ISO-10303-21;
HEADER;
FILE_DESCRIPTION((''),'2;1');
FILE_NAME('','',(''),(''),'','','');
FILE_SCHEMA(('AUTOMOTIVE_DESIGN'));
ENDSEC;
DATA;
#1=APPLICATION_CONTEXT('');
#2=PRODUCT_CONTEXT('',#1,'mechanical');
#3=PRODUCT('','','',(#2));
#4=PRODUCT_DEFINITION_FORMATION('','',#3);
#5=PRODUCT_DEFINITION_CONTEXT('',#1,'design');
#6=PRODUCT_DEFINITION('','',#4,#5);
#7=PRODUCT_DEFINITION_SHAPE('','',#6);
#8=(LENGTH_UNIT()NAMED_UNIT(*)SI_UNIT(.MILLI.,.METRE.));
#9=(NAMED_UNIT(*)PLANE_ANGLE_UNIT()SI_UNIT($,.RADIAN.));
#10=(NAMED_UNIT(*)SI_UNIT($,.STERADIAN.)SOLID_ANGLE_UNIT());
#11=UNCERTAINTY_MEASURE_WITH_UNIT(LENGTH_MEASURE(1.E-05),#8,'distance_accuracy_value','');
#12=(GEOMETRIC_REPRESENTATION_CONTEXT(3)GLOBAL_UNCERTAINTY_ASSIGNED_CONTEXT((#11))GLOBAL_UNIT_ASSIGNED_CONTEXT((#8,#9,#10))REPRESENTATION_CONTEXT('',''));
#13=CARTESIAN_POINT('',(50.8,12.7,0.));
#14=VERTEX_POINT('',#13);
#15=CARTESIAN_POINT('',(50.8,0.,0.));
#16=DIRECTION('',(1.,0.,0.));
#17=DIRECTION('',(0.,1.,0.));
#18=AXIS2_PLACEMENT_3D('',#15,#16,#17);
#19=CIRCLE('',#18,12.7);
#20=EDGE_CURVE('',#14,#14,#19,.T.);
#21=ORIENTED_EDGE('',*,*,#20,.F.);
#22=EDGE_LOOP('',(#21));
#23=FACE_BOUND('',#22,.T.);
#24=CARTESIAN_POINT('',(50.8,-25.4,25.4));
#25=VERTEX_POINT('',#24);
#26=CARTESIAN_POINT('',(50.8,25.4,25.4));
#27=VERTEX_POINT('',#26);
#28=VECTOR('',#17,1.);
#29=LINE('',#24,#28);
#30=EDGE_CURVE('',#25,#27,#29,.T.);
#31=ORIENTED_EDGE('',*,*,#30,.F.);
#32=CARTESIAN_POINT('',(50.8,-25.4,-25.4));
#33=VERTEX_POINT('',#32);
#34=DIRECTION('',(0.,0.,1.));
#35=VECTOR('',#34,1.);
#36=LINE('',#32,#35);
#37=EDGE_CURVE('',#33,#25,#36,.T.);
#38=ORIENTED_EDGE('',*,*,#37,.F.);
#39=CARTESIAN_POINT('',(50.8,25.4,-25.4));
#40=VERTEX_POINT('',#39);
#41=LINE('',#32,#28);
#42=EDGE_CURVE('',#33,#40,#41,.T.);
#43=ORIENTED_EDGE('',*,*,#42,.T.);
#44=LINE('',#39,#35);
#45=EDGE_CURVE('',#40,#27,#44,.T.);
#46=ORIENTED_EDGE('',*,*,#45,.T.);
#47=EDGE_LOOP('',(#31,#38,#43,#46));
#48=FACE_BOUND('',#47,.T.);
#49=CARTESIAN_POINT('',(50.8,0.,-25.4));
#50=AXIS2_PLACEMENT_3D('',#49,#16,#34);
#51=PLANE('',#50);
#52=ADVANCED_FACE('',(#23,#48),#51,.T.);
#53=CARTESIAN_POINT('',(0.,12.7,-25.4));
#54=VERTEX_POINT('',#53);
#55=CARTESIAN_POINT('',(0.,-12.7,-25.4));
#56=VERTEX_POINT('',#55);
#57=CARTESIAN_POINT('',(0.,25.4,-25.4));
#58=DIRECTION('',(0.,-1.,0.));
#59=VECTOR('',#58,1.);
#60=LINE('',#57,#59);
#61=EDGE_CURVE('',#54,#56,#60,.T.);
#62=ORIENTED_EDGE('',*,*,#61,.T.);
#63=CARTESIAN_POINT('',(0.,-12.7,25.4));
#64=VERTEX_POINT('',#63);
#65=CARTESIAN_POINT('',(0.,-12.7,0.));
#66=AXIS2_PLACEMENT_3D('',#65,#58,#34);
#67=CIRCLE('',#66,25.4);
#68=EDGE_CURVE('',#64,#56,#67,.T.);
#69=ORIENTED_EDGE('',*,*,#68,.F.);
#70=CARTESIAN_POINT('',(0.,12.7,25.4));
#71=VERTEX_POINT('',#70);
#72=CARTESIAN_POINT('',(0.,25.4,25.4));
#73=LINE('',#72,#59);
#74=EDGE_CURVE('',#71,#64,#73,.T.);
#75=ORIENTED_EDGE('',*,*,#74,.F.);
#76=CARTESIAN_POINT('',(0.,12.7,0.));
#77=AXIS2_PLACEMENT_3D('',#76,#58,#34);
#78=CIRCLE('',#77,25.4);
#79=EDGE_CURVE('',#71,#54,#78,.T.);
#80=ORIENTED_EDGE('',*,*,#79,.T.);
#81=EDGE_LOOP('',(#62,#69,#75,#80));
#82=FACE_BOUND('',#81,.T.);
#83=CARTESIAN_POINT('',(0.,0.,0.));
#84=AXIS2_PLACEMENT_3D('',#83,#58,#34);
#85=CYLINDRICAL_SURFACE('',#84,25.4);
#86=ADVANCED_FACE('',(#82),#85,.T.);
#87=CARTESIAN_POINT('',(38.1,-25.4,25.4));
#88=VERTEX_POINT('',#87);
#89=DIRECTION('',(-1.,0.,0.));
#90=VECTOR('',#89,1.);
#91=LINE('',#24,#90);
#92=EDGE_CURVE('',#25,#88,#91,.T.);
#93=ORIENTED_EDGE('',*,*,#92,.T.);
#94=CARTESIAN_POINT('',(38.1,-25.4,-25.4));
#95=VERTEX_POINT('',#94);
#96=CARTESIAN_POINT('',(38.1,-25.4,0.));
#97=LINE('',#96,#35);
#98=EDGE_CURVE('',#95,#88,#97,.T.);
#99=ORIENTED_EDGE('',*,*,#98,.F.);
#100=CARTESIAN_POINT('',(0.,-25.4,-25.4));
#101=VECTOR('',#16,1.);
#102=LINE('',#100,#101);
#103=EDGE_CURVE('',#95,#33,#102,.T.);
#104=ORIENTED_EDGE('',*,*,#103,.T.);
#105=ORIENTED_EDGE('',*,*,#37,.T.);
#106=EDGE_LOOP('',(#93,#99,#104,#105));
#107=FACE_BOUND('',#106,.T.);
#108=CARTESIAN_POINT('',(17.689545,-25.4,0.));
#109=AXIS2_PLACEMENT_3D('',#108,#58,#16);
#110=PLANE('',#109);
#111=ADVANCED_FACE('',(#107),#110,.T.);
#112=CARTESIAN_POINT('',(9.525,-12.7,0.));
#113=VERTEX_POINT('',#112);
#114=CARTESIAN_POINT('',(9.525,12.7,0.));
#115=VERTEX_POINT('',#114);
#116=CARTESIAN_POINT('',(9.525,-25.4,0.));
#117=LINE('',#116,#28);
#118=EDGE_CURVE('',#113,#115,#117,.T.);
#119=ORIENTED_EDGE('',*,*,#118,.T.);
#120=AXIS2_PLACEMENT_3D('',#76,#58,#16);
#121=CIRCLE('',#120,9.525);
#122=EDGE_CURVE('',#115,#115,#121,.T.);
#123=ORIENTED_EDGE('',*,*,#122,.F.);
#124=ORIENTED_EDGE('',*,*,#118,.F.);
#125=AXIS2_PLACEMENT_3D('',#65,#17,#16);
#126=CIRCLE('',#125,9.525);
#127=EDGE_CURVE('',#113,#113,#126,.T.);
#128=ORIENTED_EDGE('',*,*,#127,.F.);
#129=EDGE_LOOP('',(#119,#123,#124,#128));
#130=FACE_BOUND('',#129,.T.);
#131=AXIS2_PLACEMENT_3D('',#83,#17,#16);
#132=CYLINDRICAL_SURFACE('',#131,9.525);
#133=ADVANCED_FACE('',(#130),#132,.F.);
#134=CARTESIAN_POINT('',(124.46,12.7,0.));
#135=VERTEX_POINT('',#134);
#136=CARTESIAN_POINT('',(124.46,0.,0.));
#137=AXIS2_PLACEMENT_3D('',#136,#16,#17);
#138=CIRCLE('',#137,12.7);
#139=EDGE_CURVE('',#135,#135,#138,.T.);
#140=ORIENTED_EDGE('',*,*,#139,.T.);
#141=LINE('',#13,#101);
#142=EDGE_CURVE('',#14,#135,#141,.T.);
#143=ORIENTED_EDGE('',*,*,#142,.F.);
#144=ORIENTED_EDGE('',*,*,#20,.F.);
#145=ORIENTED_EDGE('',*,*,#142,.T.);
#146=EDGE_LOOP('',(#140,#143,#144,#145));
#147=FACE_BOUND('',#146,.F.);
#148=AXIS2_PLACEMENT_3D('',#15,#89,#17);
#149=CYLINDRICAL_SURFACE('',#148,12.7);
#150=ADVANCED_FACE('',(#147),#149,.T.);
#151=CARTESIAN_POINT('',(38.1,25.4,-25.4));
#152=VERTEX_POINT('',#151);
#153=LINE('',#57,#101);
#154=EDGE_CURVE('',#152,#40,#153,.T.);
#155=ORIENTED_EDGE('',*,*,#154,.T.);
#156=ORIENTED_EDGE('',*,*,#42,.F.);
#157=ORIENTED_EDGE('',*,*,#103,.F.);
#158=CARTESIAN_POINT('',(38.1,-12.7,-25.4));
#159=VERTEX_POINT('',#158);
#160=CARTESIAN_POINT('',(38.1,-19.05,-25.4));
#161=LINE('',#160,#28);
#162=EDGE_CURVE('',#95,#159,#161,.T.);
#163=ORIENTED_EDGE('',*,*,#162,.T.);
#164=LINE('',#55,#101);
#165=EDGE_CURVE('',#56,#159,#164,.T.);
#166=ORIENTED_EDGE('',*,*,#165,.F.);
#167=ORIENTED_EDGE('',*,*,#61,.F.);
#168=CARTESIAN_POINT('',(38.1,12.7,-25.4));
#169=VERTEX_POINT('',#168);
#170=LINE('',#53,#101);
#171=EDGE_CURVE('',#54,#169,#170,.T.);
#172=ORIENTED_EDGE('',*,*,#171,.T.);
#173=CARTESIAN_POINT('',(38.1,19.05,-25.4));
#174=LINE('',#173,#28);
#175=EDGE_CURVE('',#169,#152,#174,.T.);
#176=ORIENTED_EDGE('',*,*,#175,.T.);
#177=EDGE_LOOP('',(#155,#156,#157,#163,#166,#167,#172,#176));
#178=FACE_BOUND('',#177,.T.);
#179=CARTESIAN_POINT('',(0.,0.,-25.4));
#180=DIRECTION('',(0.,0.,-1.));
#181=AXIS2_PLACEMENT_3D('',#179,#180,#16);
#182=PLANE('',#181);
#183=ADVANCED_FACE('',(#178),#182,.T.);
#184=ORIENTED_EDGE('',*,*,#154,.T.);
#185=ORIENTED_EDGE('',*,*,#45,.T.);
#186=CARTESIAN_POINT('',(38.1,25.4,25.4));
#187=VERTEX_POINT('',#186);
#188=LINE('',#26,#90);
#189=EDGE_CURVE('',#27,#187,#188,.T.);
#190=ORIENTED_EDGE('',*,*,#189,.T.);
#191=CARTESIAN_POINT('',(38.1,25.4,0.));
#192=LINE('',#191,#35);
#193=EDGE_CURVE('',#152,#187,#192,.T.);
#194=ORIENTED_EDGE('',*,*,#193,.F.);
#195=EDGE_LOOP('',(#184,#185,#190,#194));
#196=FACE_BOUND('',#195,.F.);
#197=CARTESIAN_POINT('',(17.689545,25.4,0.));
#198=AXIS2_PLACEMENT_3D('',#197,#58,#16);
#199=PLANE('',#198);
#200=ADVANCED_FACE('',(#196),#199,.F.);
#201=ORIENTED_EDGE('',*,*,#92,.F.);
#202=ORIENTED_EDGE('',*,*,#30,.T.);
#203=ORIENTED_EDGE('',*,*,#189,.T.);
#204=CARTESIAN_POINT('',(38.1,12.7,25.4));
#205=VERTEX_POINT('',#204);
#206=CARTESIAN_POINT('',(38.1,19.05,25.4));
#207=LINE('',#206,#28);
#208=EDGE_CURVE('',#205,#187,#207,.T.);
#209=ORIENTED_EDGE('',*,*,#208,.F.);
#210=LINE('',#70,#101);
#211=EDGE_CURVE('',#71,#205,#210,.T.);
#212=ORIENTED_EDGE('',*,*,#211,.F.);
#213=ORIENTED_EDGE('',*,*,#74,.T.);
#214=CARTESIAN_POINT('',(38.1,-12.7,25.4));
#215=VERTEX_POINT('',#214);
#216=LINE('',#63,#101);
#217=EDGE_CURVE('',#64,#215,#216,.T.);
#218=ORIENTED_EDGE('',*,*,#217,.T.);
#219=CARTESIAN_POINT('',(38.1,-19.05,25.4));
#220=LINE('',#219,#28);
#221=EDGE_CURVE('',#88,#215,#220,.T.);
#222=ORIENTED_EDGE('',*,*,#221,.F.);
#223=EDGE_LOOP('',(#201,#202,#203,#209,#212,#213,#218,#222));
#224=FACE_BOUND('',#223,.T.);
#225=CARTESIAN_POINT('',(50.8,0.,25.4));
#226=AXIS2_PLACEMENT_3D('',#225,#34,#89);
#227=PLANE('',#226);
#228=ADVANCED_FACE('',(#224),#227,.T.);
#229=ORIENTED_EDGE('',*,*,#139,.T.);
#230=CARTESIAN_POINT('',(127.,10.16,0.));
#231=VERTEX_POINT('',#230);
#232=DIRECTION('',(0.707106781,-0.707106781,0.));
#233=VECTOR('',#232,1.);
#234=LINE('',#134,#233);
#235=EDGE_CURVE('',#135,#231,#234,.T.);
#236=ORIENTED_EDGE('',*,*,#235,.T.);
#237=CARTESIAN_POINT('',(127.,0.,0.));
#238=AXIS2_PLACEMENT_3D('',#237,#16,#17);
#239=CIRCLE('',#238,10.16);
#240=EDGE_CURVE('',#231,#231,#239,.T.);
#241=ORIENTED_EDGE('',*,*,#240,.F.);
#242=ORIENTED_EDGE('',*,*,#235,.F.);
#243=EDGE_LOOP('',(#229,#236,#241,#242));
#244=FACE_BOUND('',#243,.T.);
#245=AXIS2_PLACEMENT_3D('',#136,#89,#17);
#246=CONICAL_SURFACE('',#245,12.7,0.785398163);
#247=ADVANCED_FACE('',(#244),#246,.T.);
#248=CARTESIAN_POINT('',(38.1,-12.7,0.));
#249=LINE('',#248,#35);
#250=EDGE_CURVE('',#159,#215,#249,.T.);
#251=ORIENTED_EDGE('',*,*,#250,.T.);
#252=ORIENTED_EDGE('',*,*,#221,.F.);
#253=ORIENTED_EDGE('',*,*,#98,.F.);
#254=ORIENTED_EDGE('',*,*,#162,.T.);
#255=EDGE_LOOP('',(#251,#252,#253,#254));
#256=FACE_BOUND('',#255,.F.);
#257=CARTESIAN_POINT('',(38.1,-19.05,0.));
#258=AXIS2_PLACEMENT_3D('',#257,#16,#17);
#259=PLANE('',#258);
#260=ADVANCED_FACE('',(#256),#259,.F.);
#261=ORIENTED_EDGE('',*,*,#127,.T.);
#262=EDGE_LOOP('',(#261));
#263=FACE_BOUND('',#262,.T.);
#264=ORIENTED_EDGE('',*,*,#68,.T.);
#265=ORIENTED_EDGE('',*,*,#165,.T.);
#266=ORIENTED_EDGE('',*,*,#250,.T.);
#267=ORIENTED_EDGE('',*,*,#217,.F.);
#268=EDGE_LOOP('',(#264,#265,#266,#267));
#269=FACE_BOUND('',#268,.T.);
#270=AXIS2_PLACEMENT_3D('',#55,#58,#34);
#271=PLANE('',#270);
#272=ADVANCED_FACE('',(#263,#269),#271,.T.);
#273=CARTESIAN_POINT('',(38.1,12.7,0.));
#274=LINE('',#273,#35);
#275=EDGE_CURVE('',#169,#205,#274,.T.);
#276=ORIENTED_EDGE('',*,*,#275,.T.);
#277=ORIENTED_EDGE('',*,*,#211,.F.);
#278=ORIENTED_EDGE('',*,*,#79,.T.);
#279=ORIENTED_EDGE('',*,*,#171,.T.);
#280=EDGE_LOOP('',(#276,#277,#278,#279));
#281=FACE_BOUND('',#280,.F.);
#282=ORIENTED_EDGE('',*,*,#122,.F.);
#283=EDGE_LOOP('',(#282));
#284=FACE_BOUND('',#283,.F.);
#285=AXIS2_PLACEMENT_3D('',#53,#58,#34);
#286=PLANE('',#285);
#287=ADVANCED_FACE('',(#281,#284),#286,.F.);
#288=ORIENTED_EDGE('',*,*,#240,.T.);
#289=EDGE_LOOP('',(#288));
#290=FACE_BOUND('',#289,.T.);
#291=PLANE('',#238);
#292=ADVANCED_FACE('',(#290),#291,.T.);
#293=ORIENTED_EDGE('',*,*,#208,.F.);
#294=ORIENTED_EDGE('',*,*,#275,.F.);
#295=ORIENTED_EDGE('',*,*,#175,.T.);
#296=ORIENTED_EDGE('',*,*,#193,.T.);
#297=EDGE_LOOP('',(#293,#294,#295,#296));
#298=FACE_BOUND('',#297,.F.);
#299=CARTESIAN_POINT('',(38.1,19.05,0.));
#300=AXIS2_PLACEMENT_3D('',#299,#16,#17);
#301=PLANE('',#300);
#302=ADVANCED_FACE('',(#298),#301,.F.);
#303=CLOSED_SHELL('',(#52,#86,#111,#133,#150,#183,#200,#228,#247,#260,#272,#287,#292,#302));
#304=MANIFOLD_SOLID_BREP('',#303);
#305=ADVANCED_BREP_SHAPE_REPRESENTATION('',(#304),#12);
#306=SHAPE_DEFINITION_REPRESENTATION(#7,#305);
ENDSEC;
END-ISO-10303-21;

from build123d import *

# Parameters (mm, degrees)
F0_R     = 9.525
F1_DEPTH = 25.4
F2_W     = 12.7
F2_H     = 50.8
F3_DEPTH = 38.1
F4_DEPTH = 25.4
F5_R     = 12.7
F6_DEPTH = 76.2
F7_SIZE2 = 2.54
F7_SIZE  = 2.54


with BuildPart() as f1:
    # F0 (on Front) → F1 (new body, symmetric)
    with BuildSketch(Plane.XZ):
        with BuildLine():
            Line((50.8, 25.4), (0, 25.4))
            ThreePointArc((0, 25.4), (-25.4, 0), (0, -25.4))
            Line((0, -25.4), (50.8, -25.4))
            Line((50.8, -25.4), (50.8, 25.4))
        make_face()
        Circle(F0_R, mode=Mode.SUBTRACT)
    extrude(amount=F1_DEPTH, both=True)

    # F2 (on Right) → F3 (cut)
    with BuildSketch(Plane.YZ):
        with Locations((19.05, 0)):
            Rectangle(F2_W, F2_H)
        with Locations((-19.05, 0)):
            Rectangle(F2_W, F2_H)
    extrude(amount=F3_DEPTH, mode=Mode.SUBTRACT)

    # F2 (on Right) → F4 (cut)
    with BuildSketch(Plane.YZ):
        with Locations((19.05, 0)):
            Rectangle(F2_W, F2_H)
        with Locations((-19.05, 0)):
            Rectangle(F2_W, F2_H)
    extrude(amount=-F4_DEPTH, mode=Mode.SUBTRACT)

    # F5 (on face) → F6 (join)
    with BuildSketch(Plane.YZ.offset(50.8)):
        Circle(F5_R)
    extrude(amount=F6_DEPTH)

    # F7
    f7_edges = [f1.edges().sort_by_distance(p)[0] for p in [
        (127, -12.7, 0),
    ]]
    chamfer(f7_edges, length=F7_SIZE, length2=F7_SIZE2)


solid = f1.part
